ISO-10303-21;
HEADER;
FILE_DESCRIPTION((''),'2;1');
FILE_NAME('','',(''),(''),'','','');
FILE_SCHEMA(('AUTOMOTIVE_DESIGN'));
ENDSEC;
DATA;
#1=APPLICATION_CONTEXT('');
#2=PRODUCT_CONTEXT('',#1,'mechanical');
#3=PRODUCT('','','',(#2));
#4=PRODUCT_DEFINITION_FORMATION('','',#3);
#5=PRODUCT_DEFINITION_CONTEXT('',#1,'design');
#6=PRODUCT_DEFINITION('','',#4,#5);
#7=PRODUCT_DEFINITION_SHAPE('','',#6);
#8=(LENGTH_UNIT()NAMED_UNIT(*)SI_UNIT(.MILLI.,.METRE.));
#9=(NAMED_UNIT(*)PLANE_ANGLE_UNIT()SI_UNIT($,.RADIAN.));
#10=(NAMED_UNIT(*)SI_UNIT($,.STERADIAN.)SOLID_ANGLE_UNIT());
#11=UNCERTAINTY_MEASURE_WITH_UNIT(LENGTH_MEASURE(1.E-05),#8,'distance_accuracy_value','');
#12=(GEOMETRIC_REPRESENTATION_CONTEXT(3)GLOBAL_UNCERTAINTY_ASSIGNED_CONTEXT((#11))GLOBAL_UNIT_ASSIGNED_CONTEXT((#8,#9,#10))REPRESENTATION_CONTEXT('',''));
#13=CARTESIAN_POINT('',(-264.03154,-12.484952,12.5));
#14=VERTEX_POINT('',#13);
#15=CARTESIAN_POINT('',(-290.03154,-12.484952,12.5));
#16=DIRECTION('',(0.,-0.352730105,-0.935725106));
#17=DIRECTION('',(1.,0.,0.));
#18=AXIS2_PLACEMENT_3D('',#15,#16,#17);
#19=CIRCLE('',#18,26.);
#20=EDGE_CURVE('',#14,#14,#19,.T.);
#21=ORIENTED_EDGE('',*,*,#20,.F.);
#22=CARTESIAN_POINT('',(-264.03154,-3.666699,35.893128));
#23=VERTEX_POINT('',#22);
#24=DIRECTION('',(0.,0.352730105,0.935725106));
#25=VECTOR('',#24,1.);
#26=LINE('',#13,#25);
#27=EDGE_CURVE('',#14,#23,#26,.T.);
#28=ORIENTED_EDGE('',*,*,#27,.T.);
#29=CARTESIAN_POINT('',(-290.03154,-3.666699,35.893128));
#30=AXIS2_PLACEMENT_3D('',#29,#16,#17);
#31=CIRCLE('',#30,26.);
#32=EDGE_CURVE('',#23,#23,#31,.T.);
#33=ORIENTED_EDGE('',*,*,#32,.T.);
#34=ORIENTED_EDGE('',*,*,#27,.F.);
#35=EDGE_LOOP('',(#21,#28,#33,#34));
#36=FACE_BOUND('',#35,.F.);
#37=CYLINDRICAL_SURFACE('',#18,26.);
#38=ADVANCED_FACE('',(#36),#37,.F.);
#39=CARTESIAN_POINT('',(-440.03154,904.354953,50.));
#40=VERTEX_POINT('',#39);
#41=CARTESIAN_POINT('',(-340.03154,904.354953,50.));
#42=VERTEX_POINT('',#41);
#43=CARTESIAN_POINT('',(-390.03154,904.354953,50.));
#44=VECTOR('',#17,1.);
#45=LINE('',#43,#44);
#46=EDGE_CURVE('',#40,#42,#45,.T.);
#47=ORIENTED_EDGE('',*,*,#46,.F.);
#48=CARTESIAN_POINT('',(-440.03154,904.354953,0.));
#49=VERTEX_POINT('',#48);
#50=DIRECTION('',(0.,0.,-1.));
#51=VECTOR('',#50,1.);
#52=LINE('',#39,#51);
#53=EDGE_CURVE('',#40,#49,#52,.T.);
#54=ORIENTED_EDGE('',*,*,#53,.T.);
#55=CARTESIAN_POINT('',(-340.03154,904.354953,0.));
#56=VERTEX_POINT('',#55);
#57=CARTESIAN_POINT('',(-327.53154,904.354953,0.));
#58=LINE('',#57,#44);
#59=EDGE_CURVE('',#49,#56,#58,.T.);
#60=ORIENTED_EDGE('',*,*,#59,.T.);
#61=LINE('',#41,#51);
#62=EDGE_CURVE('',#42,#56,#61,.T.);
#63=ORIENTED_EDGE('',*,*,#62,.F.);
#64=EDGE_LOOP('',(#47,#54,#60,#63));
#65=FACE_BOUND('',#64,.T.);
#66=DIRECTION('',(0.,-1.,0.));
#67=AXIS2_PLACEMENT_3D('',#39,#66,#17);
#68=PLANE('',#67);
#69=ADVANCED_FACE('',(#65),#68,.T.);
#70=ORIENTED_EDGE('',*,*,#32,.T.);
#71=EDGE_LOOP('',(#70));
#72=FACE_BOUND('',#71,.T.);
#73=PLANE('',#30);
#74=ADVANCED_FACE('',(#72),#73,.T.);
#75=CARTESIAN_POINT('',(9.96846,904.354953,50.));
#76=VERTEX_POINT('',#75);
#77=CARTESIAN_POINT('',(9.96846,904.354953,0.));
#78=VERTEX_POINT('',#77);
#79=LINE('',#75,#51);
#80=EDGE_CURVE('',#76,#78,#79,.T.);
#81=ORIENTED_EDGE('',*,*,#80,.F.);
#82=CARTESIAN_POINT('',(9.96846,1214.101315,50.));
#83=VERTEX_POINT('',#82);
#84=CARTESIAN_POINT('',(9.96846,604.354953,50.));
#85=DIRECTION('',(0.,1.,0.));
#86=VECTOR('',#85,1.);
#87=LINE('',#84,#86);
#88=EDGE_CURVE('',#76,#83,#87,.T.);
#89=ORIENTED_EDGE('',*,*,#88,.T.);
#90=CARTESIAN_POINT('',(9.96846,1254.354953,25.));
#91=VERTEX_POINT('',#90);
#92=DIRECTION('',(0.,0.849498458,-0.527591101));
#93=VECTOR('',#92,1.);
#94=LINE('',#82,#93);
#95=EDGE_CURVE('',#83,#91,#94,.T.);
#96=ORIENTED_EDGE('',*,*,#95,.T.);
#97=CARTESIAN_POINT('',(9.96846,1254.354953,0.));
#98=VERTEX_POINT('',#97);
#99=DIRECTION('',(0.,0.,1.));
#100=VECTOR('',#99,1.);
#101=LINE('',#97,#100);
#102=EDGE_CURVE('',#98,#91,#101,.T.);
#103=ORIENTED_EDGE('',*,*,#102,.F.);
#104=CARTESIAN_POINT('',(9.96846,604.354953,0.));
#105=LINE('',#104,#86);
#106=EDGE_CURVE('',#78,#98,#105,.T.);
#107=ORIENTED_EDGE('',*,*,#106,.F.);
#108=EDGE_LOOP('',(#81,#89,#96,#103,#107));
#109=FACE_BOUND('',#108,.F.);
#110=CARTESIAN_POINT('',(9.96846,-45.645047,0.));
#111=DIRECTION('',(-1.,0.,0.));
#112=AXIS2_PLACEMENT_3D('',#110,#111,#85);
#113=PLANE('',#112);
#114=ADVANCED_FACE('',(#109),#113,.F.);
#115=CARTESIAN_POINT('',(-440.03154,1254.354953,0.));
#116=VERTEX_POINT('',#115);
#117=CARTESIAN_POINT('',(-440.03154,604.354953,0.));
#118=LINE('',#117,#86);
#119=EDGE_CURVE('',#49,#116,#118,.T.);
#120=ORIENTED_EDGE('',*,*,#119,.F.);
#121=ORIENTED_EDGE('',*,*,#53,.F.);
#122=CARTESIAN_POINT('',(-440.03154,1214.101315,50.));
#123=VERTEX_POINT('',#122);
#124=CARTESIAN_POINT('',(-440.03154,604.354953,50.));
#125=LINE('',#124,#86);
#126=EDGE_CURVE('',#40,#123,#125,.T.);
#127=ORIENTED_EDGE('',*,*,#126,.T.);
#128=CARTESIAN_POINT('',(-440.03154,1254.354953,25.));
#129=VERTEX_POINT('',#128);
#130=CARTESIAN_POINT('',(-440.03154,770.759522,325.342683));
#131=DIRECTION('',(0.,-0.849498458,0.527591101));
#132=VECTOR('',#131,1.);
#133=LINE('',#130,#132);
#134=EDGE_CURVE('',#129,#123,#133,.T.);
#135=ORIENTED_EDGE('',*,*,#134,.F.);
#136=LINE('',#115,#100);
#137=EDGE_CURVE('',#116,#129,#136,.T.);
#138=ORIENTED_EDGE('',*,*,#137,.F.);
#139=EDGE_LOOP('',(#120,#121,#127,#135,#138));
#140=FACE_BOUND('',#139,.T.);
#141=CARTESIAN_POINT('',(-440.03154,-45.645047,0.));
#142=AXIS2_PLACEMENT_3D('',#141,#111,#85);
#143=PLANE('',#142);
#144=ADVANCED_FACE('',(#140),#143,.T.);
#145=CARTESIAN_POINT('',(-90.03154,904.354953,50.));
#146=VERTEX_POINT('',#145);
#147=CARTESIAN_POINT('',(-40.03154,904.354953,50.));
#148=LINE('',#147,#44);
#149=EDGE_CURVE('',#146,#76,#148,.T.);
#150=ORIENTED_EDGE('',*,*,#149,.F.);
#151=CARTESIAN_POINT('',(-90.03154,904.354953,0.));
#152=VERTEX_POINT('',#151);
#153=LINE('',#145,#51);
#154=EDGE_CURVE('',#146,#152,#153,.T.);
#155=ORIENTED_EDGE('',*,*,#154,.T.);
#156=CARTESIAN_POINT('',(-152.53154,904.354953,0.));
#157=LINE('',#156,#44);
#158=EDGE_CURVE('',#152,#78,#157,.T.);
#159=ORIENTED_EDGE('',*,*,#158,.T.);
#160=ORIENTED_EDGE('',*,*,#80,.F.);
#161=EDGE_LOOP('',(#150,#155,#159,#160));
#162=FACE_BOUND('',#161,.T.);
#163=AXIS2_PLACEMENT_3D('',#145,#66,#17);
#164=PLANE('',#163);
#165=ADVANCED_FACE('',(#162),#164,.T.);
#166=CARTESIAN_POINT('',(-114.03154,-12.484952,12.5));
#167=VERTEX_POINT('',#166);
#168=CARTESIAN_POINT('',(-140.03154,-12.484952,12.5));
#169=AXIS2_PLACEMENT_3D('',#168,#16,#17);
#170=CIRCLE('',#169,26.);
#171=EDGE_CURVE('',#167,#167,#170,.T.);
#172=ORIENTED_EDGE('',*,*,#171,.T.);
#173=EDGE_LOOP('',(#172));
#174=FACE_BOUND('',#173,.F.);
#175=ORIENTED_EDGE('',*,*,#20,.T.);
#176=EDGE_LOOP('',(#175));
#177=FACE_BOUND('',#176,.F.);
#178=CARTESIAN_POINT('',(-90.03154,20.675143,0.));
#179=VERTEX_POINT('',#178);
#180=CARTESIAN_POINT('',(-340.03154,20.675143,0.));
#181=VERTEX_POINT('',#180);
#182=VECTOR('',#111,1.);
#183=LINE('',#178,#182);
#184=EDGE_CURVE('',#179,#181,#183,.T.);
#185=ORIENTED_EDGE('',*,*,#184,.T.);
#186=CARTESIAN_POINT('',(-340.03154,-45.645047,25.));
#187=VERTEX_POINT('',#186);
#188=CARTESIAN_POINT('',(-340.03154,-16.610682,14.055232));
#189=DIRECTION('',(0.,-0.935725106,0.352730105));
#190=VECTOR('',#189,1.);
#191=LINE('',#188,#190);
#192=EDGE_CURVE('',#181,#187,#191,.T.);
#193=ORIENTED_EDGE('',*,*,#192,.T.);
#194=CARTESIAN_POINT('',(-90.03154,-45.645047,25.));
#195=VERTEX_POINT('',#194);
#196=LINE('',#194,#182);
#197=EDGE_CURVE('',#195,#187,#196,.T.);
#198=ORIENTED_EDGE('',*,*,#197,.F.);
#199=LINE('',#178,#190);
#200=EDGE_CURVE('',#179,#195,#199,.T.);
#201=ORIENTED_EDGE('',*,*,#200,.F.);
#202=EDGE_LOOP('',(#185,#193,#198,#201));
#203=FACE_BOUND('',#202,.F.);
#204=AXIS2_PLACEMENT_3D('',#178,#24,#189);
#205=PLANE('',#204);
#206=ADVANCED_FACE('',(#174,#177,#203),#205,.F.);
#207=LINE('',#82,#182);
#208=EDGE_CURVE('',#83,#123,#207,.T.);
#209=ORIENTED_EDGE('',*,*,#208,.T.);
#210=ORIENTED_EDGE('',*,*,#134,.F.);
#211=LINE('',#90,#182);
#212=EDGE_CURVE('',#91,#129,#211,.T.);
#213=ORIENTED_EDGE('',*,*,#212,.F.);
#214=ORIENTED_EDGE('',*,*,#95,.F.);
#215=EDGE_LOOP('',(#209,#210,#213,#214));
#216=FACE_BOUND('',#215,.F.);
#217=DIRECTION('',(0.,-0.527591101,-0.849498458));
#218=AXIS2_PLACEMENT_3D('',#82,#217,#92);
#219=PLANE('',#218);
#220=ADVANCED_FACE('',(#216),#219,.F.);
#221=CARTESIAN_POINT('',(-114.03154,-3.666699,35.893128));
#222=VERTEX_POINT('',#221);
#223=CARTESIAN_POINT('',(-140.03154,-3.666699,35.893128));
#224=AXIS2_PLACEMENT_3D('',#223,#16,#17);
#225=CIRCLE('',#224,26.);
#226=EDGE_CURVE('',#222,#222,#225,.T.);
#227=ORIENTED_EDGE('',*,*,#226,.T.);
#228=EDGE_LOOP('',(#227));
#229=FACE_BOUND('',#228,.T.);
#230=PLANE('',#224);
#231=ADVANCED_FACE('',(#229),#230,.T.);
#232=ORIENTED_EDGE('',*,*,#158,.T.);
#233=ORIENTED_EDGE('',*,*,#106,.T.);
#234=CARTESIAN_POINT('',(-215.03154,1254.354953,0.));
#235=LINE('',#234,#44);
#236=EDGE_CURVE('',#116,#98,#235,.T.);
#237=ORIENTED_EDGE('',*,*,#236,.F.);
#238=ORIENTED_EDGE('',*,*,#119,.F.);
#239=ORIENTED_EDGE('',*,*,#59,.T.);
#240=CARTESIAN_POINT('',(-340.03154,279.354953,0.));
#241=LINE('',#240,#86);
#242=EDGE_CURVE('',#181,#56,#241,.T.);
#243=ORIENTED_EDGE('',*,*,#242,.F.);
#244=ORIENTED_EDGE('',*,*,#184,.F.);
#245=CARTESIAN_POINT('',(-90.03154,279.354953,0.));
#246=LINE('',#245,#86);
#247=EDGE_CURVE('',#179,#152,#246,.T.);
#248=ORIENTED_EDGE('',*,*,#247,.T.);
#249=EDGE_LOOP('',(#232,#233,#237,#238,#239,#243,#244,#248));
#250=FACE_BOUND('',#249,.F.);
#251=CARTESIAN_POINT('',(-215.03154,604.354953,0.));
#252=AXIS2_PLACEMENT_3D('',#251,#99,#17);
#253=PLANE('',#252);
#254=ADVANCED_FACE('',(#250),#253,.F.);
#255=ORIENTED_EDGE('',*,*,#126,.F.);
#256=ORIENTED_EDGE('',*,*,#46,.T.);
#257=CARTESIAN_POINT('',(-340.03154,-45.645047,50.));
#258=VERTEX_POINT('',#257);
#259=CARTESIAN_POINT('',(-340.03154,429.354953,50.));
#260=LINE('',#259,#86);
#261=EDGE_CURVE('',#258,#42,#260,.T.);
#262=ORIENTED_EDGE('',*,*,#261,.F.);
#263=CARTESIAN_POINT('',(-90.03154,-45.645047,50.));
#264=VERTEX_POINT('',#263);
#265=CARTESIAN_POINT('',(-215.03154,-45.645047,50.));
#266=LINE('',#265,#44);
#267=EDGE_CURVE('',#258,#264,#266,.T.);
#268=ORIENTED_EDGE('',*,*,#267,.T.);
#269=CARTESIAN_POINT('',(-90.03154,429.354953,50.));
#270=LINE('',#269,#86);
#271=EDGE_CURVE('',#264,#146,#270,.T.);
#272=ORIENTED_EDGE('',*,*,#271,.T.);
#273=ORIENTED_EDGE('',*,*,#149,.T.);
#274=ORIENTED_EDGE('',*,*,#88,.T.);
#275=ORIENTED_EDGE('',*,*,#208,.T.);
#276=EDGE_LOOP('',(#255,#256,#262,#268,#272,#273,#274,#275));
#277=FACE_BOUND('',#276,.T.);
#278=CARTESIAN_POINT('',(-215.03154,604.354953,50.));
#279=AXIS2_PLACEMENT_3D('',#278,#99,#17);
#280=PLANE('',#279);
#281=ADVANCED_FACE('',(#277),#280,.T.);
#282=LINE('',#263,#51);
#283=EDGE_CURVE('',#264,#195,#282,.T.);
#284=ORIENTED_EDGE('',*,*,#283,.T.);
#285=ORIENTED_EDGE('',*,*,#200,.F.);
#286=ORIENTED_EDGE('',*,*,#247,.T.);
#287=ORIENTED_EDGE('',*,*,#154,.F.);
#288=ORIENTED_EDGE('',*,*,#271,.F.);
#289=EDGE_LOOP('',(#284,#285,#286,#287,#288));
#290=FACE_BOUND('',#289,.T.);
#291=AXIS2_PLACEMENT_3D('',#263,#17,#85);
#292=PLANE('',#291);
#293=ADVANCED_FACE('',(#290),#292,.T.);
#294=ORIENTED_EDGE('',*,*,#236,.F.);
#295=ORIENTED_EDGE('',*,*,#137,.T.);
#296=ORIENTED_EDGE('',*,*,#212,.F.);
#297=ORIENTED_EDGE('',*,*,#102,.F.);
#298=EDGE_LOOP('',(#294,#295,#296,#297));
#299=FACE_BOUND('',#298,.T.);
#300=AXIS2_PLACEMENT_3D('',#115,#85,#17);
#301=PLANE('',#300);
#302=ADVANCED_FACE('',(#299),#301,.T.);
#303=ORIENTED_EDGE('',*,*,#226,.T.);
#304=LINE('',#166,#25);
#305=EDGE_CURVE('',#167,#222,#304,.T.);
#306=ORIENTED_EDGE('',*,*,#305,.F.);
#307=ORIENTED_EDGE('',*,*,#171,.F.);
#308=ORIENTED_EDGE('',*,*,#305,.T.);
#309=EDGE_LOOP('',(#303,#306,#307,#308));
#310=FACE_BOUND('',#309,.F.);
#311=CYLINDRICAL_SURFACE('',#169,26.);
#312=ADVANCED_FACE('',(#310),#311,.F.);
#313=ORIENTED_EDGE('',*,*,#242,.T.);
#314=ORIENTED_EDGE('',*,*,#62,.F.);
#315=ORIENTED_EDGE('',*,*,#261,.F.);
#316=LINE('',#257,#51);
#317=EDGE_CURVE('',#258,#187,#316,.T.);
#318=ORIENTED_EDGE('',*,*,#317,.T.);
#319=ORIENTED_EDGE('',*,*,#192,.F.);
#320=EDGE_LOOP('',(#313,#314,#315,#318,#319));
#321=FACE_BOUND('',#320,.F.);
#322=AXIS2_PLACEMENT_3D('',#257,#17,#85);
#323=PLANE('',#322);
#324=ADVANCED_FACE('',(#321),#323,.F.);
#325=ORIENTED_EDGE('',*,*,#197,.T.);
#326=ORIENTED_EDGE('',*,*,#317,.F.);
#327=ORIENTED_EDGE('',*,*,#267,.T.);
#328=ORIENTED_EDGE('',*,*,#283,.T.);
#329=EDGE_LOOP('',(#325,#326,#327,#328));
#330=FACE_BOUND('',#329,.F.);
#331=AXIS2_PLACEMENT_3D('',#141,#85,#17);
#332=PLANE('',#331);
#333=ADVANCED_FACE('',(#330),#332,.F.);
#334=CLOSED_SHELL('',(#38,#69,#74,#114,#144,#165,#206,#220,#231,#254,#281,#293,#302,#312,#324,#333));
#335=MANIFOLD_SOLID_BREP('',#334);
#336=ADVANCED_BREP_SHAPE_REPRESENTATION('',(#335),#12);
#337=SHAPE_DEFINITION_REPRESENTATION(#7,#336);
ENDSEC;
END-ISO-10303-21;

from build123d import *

# Parameters (mm, degrees)
F0_W     = 450
F0_H     = 1300
F1_DEPTH = 50
F2_W     = 100
F2_H     = 950
F3_DEPTH = 50.001
F5_DEPTH = 350.001
F7_DEPTH = 450.001
F8_R     = 26
F9_DEPTH = 25


with BuildPart() as f1:
    # F0 (on Top) → F1 (new body)
    with BuildSketch(Plane.XY):
        with Locations((-215.0315403938, 604.3549530208)):
            Rectangle(F0_W, F0_H)
    extrude(amount=F1_DEPTH)

    # F2 (on face) → F3 (cut, through all)
    with BuildSketch(Plane.XY.offset(50)):
        with Locations((-390.0315403938, 429.3549530208)):
            Rectangle(F2_W, F2_H)
        with Locations((-40.0315403938, 429.3549530208)):
            Rectangle(F2_W, F2_H)
    extrude(amount=-F3_DEPTH, mode=Mode.SUBTRACT)

    # F4 (on face) → F5 (cut, through all)
    with BuildSketch(Plane.YZ.offset(-90.0315403938)):
        Polygon((20.675143227, 0), (-45.6450469792, 25), (-45.6450469792, 0), align=None)
    extrude(amount=-F5_DEPTH, mode=Mode.SUBTRACT)

    # F6 (on face) → F7 (cut, through all)
    with BuildSketch(Plane.YZ.offset(9.9684596062)):
        Polygon((1214.1013145447, 50), (1254.3549530208, 25), (1254.3549530208, 50), align=None)
    extrude(amount=-F7_DEPTH, mode=Mode.SUBTRACT)

    # F8 (on face) → F9 (cut)
    with BuildSketch(Plane(origin=(0, 2.5723708618, 6.8240049934), x_dir=(1, 0, 0), z_dir=(0, -0.3527301048, -0.9357251056))):
        with Locations((-140.0315403938, 16.0916092218)):
            Circle(F8_R)
        with Locations((-290.0315403938, 16.0916092218)):
            Circle(F8_R)
    extrude(amount=-F9_DEPTH, mode=Mode.SUBTRACT)


solid = f1.part
